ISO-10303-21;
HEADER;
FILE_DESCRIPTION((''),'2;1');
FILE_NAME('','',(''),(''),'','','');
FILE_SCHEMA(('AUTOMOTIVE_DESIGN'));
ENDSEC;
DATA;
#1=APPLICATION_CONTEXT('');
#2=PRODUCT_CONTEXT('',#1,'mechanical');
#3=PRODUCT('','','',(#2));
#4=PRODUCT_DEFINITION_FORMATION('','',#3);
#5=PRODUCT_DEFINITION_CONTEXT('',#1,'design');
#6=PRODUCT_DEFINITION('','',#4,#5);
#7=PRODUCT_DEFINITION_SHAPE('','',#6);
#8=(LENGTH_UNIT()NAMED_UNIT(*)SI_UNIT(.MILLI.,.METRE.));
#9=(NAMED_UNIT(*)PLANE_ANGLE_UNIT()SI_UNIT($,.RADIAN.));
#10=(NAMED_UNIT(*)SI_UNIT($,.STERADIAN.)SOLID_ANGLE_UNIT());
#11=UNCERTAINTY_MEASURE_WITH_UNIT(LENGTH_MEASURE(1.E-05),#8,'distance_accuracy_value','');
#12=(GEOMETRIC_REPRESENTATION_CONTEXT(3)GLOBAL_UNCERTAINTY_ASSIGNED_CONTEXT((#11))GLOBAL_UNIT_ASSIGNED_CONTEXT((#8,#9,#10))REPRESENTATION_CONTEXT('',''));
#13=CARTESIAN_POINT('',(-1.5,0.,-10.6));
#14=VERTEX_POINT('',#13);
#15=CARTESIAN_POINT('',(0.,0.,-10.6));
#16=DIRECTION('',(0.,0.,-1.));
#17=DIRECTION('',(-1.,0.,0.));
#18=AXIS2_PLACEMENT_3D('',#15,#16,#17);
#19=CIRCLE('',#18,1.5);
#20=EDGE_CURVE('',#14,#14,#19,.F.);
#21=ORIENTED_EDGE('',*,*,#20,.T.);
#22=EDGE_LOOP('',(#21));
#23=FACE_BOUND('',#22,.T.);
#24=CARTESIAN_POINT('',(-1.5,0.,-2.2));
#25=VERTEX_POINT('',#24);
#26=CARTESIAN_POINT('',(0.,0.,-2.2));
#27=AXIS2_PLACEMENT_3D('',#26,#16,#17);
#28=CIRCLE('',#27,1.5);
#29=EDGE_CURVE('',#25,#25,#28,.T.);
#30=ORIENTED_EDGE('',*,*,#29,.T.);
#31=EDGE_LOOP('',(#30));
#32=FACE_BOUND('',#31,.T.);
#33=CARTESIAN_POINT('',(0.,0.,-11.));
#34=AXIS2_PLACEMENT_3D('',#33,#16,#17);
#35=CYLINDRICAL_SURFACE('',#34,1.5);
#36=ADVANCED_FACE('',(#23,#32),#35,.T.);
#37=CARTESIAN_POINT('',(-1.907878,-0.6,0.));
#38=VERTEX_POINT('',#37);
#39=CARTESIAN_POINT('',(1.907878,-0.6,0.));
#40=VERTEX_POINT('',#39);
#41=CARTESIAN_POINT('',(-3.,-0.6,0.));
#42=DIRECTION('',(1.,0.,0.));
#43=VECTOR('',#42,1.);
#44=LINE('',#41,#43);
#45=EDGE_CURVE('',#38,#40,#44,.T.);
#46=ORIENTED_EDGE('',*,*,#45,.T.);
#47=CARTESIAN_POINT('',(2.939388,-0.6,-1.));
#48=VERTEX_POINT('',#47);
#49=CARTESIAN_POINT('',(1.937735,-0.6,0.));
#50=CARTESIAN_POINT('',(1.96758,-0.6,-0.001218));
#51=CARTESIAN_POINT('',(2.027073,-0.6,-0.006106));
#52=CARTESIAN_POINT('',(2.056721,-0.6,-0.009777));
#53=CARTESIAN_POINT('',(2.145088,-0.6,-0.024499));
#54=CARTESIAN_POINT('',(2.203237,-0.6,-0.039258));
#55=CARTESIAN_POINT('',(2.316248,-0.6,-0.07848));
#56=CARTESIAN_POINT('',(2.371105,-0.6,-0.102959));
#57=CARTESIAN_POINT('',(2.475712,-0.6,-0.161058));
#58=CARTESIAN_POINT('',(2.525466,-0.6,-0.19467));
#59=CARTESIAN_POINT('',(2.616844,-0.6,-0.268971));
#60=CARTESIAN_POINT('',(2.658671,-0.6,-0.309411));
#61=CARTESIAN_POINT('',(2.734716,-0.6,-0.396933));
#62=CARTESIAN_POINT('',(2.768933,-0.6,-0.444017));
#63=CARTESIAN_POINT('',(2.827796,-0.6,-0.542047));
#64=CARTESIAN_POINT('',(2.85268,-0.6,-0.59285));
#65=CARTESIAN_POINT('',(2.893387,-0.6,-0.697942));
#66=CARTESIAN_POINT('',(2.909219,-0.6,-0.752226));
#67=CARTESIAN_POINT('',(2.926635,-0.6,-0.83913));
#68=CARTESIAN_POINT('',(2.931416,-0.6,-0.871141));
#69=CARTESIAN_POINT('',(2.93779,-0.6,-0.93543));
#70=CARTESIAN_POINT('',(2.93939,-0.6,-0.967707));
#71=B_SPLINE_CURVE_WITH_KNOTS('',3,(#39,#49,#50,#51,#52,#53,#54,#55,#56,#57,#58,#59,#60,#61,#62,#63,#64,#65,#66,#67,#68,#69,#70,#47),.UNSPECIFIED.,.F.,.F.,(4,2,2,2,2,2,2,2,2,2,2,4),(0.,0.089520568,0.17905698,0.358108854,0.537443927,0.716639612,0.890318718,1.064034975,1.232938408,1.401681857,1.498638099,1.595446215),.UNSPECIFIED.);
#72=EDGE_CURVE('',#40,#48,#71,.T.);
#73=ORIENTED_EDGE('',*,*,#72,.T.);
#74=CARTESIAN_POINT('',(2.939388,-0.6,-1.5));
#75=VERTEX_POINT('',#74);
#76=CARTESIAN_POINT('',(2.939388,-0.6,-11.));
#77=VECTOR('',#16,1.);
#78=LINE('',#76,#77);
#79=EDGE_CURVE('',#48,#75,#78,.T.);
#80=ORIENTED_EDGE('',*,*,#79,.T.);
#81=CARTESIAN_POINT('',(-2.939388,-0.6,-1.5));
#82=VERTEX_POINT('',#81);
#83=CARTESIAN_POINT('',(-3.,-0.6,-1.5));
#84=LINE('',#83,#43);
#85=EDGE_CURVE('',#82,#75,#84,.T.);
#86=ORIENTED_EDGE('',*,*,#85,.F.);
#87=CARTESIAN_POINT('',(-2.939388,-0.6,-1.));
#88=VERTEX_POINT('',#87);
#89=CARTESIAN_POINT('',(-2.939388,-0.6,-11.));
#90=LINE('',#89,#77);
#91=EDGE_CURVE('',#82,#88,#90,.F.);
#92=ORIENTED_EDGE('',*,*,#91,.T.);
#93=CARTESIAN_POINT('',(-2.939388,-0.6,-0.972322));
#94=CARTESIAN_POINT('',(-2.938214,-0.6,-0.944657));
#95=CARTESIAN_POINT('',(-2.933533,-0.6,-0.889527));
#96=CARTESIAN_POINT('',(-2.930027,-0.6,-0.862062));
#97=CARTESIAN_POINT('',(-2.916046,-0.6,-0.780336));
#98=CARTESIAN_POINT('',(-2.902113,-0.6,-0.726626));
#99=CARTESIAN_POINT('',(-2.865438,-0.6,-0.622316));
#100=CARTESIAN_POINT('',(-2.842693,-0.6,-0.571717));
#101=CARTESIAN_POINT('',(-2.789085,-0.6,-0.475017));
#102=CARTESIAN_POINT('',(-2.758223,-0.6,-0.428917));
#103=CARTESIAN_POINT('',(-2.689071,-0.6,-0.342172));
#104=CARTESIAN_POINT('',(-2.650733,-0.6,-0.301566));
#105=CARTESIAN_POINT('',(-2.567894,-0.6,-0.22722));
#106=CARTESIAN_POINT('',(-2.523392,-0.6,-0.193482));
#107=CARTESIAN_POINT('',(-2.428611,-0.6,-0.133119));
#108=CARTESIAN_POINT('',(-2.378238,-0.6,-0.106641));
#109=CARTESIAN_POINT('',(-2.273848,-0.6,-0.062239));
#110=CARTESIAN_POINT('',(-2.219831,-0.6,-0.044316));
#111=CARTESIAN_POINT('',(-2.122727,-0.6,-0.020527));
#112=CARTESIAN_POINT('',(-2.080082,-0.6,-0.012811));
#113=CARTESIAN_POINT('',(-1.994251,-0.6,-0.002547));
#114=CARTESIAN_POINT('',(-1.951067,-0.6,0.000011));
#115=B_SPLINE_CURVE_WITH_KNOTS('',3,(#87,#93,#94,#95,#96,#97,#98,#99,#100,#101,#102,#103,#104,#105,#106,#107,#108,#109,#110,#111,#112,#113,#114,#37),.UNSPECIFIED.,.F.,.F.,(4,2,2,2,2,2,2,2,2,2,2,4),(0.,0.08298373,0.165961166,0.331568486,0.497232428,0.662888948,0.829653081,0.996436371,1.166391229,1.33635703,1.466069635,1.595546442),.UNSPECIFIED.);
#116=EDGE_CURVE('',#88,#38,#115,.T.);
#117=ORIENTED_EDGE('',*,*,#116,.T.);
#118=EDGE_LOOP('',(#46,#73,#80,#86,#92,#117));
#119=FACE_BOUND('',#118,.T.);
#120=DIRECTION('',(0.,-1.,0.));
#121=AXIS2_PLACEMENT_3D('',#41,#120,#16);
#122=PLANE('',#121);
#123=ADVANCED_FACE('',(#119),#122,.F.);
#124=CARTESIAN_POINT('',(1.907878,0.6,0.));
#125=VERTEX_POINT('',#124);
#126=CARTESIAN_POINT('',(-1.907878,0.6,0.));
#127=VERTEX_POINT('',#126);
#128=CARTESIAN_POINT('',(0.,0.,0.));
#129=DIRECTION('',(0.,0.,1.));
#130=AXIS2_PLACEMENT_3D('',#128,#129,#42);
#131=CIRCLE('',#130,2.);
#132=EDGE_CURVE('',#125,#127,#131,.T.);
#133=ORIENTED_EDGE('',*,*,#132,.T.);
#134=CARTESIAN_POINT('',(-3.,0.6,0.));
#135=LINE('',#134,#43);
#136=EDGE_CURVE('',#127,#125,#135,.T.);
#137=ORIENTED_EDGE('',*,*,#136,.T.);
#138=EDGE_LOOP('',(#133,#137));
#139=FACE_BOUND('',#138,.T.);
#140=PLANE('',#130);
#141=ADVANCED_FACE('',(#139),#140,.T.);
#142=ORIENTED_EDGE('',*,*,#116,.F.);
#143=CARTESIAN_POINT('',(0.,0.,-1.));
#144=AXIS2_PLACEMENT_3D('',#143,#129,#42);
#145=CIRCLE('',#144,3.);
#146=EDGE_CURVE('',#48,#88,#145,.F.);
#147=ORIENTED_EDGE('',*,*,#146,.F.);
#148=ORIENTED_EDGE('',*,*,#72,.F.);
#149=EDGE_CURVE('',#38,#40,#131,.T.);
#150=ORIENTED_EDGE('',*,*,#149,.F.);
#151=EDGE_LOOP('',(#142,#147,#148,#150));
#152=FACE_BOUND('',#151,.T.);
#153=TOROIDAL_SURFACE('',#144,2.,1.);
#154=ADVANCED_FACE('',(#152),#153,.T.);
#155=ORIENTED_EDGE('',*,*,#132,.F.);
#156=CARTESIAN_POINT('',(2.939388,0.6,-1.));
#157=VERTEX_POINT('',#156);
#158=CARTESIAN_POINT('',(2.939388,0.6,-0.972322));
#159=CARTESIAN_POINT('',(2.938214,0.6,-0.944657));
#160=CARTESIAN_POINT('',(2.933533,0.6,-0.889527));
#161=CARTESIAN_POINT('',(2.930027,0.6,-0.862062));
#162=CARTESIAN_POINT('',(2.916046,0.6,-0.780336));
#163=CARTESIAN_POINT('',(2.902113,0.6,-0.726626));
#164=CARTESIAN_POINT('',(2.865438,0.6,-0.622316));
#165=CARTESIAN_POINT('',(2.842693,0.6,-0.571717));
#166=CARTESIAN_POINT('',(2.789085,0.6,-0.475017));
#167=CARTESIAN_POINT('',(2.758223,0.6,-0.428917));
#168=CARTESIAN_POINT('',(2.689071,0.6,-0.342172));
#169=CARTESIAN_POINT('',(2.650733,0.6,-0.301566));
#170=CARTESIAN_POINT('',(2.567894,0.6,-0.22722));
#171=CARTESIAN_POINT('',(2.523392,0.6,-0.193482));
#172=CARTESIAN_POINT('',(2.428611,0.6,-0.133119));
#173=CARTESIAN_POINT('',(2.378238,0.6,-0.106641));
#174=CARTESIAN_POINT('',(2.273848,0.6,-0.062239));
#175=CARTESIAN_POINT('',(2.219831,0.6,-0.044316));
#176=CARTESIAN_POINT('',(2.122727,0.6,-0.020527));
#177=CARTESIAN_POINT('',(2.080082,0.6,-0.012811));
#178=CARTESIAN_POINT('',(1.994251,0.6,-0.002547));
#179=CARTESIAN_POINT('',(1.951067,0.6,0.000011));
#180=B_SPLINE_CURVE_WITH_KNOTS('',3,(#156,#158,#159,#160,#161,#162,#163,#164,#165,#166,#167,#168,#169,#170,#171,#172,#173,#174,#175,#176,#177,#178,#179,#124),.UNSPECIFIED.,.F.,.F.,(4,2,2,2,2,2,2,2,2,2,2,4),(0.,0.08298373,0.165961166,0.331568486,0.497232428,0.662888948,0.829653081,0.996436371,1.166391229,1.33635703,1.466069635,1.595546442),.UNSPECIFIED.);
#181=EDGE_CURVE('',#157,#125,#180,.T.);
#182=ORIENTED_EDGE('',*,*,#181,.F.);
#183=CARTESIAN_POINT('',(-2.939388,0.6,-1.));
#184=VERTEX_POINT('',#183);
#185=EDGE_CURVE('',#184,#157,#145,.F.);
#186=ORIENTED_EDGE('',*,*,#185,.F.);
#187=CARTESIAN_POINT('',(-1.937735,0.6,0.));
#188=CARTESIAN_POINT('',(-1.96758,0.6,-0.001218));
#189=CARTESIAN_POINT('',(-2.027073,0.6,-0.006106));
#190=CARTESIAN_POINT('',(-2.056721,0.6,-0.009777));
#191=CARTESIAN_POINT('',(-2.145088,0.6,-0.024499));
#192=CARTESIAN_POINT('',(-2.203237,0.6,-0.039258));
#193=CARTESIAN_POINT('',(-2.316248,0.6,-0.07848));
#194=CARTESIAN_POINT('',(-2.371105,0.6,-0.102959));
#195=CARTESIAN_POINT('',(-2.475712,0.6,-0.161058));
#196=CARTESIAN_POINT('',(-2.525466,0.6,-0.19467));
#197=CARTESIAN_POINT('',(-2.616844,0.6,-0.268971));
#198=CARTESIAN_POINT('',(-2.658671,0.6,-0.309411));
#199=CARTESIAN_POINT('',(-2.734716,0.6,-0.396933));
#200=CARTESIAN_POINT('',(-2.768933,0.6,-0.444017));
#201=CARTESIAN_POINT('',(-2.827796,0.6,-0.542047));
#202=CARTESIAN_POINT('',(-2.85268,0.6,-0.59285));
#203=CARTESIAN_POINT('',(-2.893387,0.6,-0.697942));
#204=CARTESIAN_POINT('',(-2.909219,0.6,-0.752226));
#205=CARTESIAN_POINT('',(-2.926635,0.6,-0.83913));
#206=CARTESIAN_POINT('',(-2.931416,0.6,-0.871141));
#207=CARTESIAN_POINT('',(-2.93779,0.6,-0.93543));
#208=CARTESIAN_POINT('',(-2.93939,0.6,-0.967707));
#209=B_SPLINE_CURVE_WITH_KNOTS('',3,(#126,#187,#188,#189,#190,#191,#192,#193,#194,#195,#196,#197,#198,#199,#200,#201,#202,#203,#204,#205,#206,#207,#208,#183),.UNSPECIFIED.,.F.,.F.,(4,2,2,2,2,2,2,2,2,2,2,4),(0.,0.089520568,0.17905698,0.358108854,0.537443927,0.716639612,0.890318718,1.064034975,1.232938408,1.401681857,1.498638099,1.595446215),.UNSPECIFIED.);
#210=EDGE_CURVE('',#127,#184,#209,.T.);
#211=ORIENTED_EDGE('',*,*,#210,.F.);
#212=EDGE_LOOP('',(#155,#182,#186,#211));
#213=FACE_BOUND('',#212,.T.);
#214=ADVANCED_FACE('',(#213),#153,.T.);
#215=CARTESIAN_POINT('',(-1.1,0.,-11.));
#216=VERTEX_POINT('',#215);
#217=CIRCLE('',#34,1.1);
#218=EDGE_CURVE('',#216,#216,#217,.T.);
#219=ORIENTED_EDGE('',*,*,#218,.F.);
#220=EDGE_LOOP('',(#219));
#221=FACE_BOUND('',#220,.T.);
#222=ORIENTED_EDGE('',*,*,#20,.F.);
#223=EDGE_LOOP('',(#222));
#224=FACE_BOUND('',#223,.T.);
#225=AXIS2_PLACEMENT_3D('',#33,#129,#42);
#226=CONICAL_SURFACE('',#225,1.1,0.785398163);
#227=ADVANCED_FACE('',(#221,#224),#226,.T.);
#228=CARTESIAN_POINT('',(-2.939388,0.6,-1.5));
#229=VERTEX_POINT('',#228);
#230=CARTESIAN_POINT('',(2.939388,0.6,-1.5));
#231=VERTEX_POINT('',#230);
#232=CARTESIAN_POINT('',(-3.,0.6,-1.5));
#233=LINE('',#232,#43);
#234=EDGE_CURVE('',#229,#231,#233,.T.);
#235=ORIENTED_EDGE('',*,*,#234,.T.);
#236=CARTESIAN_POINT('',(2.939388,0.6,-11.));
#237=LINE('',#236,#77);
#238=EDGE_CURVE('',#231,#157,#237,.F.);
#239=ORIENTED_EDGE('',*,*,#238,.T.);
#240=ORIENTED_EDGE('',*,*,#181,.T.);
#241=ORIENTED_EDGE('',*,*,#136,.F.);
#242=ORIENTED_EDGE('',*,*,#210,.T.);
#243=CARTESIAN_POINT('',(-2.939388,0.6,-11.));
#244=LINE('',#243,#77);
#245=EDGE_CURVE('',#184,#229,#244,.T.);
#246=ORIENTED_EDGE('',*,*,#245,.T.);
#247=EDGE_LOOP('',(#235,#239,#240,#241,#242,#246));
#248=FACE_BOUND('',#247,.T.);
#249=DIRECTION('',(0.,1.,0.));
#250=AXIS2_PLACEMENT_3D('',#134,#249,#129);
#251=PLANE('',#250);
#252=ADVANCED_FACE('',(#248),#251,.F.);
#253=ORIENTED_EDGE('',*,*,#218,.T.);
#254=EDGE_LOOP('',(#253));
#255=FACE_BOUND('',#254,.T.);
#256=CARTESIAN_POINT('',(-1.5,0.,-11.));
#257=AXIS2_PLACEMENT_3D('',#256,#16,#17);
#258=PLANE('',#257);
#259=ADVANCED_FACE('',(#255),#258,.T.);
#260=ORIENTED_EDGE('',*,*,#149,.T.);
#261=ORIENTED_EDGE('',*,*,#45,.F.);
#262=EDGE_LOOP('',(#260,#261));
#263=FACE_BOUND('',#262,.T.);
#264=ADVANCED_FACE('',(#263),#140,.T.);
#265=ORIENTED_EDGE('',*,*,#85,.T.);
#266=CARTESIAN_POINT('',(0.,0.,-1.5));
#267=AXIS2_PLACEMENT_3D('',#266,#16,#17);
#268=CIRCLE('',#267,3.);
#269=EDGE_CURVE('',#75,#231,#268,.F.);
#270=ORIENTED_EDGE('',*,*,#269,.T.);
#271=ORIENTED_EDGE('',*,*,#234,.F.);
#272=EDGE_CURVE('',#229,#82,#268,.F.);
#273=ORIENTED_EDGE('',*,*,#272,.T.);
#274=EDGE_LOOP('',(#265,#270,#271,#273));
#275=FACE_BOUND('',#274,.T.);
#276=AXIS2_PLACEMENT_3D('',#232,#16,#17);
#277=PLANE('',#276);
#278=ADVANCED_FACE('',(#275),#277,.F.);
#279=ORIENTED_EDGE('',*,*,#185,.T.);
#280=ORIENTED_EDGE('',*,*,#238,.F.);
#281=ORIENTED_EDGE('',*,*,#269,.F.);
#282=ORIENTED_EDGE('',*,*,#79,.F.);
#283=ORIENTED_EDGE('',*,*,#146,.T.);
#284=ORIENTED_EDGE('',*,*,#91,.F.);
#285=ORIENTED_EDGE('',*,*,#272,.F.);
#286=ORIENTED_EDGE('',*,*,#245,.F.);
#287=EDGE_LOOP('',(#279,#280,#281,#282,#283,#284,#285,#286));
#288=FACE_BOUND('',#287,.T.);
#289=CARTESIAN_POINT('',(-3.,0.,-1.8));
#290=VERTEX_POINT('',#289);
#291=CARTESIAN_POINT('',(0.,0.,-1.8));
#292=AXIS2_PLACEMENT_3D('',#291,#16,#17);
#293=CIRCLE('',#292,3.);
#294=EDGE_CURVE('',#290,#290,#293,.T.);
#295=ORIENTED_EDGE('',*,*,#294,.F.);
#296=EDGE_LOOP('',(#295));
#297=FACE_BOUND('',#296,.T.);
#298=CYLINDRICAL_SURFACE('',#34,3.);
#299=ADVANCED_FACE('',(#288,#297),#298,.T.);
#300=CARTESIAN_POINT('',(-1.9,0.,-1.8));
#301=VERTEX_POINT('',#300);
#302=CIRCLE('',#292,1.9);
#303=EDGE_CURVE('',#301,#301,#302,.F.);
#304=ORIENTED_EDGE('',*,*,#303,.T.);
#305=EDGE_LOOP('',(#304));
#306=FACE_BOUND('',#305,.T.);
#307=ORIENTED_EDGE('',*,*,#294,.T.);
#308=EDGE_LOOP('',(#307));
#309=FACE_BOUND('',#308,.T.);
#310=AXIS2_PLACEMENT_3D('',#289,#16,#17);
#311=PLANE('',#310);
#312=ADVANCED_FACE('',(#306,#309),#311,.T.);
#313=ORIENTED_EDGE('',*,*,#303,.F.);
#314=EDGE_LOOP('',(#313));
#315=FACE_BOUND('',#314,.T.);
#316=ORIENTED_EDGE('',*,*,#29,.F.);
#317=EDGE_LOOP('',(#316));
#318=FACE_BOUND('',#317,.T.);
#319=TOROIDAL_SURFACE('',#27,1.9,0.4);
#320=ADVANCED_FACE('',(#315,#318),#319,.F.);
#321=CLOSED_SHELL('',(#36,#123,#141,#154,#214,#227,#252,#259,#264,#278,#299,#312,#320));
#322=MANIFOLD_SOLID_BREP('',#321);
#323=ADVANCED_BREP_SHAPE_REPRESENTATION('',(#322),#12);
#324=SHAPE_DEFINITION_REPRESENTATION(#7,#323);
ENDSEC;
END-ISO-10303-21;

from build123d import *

# Parameters (mm, degrees)
SKETCH_2_W               = 1.5
SKETCH_2_H               = 1.2
CUT_EXTRUDE_1_DEPTH      = 4
CUT_EXTRUDE_1_DEPTH_BACK = 4
CHAMFER_1_SIZE           = 0.4
FILLET_1_R               = 1
FILLET_2_R               = 0.4


with BuildPart() as part:
    # Эскиз1 → Повернуть1 (revolve)
    with BuildSketch(Plane(origin=(0, 0, 0), x_dir=(1, 0, 0), z_dir=(0, 1, 0))):
        Polygon((0, 0), (-3, 0), (-3, 1.8), (-1.5, 1.8), (-1.5, 11), (0, 11), align=None)
    revolve(axis=Axis((0, 0, -11), (0, 0, 1)))

    # Эскиз2 → Вырез-Вытянуть1 (cut, two sides)
    with BuildSketch(Plane(origin=(0, 0, 0), x_dir=(0, 0, -1), z_dir=(1, 0, 0))) as cut_extrude_1_sk:
        with Locations((0.75, 0)):
            Rectangle(SKETCH_2_W, SKETCH_2_H)
    extrude(amount=CUT_EXTRUDE_1_DEPTH, mode=Mode.SUBTRACT)
    extrude(cut_extrude_1_sk.sketch, amount=-CUT_EXTRUDE_1_DEPTH_BACK, mode=Mode.SUBTRACT)

    # Фаска1
    chamfer_1_edges = [part.edges().sort_by_distance(p)[0] for p in [
        (1.5, 0, -11),
    ]]
    chamfer(chamfer_1_edges, length=CHAMFER_1_SIZE)

    # Скругление1
    fillet_1_edges = [part.edges().sort_by_distance(p)[0] for p in [
        (0, 3, 0),
        (0, -3, 0),
    ]]
    fillet(fillet_1_edges, radius=FILLET_1_R)

    # Скругление2
    fillet_2_edges = [part.edges().sort_by_distance(p)[0] for p in [
        (1.5, 0, -1.8),
    ]]
    fillet(fillet_2_edges, radius=FILLET_2_R)


solid = part.part
